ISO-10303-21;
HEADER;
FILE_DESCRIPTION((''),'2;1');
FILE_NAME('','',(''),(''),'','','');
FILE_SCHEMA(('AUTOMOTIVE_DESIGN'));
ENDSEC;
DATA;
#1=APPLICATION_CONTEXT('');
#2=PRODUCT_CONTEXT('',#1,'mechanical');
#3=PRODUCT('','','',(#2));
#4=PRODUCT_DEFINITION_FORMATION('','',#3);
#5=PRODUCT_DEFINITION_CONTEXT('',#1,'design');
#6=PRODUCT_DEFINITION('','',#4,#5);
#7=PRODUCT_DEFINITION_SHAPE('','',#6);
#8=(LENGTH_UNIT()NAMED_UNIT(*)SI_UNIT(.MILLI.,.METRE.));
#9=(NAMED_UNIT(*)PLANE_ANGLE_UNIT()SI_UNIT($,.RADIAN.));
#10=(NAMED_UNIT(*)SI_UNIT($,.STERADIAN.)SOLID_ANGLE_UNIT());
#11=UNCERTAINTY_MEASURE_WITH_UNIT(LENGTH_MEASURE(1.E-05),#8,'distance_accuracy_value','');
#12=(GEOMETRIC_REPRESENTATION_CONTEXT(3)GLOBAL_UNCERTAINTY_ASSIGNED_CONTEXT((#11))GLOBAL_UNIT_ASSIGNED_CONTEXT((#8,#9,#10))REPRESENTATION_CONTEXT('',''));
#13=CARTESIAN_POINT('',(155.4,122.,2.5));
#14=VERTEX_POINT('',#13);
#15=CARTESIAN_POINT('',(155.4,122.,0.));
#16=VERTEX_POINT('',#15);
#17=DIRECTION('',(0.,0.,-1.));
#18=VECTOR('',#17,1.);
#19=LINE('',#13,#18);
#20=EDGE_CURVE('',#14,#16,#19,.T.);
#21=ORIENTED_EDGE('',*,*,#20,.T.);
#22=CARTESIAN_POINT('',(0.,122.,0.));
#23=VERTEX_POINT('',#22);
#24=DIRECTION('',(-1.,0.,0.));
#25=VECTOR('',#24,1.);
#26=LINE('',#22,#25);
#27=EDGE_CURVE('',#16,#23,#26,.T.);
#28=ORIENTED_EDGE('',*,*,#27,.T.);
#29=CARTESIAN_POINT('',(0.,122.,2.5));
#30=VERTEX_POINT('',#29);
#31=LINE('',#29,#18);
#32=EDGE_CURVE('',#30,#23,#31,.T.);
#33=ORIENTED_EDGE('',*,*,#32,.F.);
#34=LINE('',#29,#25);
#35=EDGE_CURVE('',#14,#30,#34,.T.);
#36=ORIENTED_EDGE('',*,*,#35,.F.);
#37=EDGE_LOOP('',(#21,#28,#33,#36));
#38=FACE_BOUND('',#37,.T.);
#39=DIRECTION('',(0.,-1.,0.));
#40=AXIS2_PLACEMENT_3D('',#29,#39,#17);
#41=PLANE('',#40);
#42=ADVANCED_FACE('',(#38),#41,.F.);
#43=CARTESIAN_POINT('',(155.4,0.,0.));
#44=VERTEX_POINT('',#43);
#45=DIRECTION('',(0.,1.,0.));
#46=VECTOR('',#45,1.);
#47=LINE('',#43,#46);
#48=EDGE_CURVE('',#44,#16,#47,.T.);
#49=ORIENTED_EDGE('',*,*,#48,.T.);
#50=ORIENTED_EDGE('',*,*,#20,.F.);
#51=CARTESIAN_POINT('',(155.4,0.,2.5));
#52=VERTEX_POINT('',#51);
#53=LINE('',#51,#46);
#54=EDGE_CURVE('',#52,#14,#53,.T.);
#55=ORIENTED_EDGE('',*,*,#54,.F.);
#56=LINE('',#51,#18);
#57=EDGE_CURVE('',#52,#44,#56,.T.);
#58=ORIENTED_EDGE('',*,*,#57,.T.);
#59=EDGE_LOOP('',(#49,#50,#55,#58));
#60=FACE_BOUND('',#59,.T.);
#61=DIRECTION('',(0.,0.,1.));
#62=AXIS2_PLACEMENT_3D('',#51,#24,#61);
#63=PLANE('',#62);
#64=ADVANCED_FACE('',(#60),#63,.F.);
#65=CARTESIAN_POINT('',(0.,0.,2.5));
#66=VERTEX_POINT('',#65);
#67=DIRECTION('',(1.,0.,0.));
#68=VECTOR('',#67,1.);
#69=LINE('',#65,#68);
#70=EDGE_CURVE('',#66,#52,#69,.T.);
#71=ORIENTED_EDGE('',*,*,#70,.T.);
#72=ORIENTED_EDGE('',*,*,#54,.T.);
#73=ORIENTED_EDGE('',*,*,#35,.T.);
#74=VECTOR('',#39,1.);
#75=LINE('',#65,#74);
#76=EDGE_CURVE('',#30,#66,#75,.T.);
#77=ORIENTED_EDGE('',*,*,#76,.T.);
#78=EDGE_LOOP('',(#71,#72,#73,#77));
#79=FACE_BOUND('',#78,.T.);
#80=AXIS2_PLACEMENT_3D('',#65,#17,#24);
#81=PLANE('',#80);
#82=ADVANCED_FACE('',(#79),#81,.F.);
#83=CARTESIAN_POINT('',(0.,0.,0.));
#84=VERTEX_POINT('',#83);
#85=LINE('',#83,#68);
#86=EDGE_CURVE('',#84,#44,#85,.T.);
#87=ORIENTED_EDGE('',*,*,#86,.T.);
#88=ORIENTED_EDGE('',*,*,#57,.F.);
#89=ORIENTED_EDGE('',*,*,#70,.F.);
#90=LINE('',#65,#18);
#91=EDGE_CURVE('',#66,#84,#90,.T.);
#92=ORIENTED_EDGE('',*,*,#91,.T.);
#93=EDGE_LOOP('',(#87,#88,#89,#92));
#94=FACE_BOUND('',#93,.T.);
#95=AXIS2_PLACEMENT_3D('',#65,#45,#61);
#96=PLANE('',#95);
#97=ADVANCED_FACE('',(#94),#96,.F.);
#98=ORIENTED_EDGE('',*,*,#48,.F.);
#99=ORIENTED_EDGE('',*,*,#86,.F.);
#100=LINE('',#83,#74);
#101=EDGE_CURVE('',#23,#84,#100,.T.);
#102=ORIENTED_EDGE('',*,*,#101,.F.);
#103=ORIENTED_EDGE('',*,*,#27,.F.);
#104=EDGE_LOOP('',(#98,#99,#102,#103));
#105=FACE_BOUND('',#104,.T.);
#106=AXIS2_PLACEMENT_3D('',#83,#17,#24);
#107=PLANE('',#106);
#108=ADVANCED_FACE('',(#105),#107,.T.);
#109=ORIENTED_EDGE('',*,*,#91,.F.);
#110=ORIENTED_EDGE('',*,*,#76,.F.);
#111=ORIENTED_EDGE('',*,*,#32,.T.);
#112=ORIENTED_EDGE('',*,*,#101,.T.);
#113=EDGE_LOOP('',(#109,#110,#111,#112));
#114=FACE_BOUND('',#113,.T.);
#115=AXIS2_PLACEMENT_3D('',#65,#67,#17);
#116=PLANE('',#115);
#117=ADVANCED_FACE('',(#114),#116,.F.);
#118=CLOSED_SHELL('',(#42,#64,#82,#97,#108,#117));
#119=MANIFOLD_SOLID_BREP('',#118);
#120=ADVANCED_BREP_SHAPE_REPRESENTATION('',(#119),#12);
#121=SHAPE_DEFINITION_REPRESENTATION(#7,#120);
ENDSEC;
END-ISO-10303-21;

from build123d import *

# Parameters (mm, degrees)
SKETCH1_W           = 155.4
SKETCH1_H           = 122
BOSS_EXTRUDE1_DEPTH = 2.5


with BuildPart() as part:
    # Sketch1 → Boss-Extrude1 (new body)
    with BuildSketch(Plane.XY):
        with Locations((77.7, 61)):
            Rectangle(SKETCH1_W, SKETCH1_H)
    extrude(amount=BOSS_EXTRUDE1_DEPTH)


solid = part.part
